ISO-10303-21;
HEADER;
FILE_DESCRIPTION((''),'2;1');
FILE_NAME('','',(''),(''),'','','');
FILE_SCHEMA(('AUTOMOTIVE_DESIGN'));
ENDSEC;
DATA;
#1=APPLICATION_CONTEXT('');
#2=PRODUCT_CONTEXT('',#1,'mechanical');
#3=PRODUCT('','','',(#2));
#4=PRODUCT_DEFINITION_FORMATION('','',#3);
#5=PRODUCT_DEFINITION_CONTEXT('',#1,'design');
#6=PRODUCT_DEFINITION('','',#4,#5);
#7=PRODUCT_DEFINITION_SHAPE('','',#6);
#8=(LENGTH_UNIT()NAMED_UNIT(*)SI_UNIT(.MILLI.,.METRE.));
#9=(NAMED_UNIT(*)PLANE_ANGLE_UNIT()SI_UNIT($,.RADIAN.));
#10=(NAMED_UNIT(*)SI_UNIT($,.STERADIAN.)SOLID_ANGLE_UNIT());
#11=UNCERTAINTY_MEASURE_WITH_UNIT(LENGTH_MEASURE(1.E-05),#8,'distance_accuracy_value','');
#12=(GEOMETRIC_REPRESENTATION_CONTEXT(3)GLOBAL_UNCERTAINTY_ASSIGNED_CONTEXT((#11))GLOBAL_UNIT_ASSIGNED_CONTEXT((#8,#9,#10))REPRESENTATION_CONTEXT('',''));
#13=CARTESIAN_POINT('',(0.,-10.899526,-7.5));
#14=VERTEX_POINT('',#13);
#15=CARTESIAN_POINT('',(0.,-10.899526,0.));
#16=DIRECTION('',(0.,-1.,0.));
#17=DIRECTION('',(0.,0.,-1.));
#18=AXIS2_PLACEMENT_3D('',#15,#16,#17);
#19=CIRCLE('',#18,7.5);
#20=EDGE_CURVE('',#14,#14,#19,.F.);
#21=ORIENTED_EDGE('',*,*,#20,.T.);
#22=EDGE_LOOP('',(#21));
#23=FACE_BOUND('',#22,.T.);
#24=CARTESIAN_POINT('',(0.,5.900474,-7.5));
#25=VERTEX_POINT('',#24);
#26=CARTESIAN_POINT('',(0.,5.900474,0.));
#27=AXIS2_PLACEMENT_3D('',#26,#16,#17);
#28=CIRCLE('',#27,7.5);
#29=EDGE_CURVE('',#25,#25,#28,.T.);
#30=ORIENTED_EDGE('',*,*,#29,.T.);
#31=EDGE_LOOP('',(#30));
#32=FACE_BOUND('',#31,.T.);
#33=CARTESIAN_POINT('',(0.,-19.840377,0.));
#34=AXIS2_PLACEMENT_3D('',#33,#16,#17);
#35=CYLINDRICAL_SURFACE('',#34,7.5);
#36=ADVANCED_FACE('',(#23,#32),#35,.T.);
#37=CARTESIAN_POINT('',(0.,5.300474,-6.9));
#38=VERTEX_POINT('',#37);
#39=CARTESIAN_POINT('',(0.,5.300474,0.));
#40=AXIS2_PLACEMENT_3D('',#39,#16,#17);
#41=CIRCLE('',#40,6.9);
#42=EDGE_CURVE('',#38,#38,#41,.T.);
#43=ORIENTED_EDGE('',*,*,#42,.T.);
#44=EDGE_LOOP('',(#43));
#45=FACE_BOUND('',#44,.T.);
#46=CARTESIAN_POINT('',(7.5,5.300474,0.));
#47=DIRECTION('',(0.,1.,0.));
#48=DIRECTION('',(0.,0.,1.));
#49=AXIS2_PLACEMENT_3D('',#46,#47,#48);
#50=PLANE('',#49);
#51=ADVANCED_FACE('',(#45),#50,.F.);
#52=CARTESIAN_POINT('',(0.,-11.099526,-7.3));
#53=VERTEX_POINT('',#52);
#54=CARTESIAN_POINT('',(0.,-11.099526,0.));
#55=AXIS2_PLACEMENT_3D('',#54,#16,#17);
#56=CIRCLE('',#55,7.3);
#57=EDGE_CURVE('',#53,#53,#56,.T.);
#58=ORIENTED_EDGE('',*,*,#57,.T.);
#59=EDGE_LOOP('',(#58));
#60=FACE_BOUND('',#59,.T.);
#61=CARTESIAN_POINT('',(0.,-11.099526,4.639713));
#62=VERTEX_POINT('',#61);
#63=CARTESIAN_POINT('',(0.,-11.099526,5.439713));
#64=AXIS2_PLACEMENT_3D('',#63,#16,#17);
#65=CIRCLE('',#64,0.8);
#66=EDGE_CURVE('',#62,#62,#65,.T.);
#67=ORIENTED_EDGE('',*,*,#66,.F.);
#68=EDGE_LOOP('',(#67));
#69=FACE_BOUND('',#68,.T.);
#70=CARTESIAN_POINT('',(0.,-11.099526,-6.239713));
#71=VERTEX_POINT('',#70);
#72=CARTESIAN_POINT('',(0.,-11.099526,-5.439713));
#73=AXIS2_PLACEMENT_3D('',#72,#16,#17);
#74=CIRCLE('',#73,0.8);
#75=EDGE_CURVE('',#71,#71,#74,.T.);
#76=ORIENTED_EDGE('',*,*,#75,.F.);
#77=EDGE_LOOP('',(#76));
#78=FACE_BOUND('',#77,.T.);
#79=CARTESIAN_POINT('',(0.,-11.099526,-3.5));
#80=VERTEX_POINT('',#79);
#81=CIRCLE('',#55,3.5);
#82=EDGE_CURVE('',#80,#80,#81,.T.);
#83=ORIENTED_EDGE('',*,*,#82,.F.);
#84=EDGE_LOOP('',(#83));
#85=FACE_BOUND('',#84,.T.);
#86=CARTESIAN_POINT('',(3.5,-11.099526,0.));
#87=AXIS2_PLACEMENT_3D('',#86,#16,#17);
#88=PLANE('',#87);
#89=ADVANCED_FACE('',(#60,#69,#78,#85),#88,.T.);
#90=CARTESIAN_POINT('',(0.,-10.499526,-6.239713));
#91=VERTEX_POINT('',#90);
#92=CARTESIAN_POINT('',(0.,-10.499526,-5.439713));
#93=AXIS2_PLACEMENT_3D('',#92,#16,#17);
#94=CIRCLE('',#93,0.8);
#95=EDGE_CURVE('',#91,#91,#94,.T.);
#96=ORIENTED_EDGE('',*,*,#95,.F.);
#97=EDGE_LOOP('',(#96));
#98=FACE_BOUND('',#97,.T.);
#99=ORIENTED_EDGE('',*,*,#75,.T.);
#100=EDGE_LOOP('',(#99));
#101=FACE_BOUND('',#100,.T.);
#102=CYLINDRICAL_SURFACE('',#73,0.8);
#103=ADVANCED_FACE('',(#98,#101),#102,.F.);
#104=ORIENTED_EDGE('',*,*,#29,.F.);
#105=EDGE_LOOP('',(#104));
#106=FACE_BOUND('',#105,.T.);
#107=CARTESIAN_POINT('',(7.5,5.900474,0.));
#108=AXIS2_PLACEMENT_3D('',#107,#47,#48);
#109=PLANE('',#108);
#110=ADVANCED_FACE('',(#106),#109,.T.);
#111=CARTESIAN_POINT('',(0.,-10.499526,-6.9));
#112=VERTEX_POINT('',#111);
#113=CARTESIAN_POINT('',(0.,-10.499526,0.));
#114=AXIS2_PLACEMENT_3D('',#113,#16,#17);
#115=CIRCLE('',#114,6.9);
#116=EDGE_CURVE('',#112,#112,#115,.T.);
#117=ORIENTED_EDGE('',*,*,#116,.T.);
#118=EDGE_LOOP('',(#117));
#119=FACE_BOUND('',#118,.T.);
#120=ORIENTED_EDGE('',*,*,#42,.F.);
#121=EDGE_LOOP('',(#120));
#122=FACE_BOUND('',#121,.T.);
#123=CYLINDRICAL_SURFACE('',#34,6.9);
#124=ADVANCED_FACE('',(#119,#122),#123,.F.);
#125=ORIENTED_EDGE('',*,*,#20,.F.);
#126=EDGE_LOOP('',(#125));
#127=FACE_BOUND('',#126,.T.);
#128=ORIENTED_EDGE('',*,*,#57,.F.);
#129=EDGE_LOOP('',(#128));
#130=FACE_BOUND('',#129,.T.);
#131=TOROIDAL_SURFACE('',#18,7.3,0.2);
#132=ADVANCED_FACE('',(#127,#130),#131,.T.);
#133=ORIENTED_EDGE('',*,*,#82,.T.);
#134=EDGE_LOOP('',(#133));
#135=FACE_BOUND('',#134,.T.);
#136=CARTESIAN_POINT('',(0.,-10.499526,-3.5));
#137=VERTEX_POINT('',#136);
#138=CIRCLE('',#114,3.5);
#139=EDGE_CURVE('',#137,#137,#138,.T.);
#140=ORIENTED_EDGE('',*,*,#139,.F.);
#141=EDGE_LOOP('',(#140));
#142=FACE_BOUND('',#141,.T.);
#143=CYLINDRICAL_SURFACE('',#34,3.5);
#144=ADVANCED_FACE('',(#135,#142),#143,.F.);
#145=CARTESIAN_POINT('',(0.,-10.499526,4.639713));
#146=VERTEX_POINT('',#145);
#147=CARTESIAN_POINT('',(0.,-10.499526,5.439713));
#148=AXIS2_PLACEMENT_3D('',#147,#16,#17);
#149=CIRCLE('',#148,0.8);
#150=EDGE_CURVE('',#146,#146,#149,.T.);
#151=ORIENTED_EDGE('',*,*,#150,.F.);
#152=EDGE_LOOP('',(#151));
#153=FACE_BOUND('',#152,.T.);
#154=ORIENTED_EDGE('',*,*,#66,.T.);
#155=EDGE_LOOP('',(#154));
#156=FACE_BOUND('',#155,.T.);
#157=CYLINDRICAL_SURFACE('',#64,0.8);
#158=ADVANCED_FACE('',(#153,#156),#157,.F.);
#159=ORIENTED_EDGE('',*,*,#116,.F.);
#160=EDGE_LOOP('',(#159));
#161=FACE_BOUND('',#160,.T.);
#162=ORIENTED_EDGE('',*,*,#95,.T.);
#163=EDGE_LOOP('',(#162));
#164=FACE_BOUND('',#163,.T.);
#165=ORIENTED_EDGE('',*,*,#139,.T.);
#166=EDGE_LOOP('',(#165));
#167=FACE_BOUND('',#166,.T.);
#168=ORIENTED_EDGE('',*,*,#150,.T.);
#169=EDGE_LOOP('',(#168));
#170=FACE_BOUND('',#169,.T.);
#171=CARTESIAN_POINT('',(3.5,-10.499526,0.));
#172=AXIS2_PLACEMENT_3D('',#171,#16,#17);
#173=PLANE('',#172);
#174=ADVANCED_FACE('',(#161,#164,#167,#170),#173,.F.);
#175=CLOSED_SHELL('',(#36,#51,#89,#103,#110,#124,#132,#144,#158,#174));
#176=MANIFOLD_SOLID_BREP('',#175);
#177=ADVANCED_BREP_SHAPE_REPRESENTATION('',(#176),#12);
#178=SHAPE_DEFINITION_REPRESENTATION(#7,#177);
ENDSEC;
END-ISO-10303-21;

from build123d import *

# Parameters (mm, degrees)
FILLET_1_R = 0.2


with BuildPart() as part:
    # 草图1 → 旋转-薄壁1 (revolve)
    with BuildSketch(Plane.XY):
        Polygon((3.5, -11.099526066), (7.5, -11.099526066), (7.5, 5.900473934), (0, 5.900473934), (0, 5.300473934), (6.9, 5.300473934), (6.9, -10.499526066), (3.5, -10.499526066), align=None)
    revolve(axis=Axis((0, -19.840377492, 0), (0, 1, 0)))

    # 草图3 → M2 螺纹孔1 (revolve, cut)
    with BuildSketch(Plane(origin=(0, -11.099526066, -5.439713429), x_dir=(0, 0, -1), z_dir=(1, 0, 0))):
        Polygon((0, 0), (0, 2.480688495), (0.8, 2), (0.8, 0), align=None)
    hole_wizard_m2_1 = revolve(axis=Axis((0, -17.449526066, -5.439713429), (0, 1, 0)), mode=Mode.SUBTRACT)

    # 镜向1: M2 螺纹孔1 across plane
    add(hole_wizard_m2_1.mirror(Plane.XY), mode=Mode.SUBTRACT)

    # 圆角1
    fillet_1_edges = [part.edges().sort_by_distance(p)[0] for p in [
        (-7.5, -11.099526066, 0),
    ]]
    fillet(fillet_1_edges, radius=FILLET_1_R)


solid = part.part
